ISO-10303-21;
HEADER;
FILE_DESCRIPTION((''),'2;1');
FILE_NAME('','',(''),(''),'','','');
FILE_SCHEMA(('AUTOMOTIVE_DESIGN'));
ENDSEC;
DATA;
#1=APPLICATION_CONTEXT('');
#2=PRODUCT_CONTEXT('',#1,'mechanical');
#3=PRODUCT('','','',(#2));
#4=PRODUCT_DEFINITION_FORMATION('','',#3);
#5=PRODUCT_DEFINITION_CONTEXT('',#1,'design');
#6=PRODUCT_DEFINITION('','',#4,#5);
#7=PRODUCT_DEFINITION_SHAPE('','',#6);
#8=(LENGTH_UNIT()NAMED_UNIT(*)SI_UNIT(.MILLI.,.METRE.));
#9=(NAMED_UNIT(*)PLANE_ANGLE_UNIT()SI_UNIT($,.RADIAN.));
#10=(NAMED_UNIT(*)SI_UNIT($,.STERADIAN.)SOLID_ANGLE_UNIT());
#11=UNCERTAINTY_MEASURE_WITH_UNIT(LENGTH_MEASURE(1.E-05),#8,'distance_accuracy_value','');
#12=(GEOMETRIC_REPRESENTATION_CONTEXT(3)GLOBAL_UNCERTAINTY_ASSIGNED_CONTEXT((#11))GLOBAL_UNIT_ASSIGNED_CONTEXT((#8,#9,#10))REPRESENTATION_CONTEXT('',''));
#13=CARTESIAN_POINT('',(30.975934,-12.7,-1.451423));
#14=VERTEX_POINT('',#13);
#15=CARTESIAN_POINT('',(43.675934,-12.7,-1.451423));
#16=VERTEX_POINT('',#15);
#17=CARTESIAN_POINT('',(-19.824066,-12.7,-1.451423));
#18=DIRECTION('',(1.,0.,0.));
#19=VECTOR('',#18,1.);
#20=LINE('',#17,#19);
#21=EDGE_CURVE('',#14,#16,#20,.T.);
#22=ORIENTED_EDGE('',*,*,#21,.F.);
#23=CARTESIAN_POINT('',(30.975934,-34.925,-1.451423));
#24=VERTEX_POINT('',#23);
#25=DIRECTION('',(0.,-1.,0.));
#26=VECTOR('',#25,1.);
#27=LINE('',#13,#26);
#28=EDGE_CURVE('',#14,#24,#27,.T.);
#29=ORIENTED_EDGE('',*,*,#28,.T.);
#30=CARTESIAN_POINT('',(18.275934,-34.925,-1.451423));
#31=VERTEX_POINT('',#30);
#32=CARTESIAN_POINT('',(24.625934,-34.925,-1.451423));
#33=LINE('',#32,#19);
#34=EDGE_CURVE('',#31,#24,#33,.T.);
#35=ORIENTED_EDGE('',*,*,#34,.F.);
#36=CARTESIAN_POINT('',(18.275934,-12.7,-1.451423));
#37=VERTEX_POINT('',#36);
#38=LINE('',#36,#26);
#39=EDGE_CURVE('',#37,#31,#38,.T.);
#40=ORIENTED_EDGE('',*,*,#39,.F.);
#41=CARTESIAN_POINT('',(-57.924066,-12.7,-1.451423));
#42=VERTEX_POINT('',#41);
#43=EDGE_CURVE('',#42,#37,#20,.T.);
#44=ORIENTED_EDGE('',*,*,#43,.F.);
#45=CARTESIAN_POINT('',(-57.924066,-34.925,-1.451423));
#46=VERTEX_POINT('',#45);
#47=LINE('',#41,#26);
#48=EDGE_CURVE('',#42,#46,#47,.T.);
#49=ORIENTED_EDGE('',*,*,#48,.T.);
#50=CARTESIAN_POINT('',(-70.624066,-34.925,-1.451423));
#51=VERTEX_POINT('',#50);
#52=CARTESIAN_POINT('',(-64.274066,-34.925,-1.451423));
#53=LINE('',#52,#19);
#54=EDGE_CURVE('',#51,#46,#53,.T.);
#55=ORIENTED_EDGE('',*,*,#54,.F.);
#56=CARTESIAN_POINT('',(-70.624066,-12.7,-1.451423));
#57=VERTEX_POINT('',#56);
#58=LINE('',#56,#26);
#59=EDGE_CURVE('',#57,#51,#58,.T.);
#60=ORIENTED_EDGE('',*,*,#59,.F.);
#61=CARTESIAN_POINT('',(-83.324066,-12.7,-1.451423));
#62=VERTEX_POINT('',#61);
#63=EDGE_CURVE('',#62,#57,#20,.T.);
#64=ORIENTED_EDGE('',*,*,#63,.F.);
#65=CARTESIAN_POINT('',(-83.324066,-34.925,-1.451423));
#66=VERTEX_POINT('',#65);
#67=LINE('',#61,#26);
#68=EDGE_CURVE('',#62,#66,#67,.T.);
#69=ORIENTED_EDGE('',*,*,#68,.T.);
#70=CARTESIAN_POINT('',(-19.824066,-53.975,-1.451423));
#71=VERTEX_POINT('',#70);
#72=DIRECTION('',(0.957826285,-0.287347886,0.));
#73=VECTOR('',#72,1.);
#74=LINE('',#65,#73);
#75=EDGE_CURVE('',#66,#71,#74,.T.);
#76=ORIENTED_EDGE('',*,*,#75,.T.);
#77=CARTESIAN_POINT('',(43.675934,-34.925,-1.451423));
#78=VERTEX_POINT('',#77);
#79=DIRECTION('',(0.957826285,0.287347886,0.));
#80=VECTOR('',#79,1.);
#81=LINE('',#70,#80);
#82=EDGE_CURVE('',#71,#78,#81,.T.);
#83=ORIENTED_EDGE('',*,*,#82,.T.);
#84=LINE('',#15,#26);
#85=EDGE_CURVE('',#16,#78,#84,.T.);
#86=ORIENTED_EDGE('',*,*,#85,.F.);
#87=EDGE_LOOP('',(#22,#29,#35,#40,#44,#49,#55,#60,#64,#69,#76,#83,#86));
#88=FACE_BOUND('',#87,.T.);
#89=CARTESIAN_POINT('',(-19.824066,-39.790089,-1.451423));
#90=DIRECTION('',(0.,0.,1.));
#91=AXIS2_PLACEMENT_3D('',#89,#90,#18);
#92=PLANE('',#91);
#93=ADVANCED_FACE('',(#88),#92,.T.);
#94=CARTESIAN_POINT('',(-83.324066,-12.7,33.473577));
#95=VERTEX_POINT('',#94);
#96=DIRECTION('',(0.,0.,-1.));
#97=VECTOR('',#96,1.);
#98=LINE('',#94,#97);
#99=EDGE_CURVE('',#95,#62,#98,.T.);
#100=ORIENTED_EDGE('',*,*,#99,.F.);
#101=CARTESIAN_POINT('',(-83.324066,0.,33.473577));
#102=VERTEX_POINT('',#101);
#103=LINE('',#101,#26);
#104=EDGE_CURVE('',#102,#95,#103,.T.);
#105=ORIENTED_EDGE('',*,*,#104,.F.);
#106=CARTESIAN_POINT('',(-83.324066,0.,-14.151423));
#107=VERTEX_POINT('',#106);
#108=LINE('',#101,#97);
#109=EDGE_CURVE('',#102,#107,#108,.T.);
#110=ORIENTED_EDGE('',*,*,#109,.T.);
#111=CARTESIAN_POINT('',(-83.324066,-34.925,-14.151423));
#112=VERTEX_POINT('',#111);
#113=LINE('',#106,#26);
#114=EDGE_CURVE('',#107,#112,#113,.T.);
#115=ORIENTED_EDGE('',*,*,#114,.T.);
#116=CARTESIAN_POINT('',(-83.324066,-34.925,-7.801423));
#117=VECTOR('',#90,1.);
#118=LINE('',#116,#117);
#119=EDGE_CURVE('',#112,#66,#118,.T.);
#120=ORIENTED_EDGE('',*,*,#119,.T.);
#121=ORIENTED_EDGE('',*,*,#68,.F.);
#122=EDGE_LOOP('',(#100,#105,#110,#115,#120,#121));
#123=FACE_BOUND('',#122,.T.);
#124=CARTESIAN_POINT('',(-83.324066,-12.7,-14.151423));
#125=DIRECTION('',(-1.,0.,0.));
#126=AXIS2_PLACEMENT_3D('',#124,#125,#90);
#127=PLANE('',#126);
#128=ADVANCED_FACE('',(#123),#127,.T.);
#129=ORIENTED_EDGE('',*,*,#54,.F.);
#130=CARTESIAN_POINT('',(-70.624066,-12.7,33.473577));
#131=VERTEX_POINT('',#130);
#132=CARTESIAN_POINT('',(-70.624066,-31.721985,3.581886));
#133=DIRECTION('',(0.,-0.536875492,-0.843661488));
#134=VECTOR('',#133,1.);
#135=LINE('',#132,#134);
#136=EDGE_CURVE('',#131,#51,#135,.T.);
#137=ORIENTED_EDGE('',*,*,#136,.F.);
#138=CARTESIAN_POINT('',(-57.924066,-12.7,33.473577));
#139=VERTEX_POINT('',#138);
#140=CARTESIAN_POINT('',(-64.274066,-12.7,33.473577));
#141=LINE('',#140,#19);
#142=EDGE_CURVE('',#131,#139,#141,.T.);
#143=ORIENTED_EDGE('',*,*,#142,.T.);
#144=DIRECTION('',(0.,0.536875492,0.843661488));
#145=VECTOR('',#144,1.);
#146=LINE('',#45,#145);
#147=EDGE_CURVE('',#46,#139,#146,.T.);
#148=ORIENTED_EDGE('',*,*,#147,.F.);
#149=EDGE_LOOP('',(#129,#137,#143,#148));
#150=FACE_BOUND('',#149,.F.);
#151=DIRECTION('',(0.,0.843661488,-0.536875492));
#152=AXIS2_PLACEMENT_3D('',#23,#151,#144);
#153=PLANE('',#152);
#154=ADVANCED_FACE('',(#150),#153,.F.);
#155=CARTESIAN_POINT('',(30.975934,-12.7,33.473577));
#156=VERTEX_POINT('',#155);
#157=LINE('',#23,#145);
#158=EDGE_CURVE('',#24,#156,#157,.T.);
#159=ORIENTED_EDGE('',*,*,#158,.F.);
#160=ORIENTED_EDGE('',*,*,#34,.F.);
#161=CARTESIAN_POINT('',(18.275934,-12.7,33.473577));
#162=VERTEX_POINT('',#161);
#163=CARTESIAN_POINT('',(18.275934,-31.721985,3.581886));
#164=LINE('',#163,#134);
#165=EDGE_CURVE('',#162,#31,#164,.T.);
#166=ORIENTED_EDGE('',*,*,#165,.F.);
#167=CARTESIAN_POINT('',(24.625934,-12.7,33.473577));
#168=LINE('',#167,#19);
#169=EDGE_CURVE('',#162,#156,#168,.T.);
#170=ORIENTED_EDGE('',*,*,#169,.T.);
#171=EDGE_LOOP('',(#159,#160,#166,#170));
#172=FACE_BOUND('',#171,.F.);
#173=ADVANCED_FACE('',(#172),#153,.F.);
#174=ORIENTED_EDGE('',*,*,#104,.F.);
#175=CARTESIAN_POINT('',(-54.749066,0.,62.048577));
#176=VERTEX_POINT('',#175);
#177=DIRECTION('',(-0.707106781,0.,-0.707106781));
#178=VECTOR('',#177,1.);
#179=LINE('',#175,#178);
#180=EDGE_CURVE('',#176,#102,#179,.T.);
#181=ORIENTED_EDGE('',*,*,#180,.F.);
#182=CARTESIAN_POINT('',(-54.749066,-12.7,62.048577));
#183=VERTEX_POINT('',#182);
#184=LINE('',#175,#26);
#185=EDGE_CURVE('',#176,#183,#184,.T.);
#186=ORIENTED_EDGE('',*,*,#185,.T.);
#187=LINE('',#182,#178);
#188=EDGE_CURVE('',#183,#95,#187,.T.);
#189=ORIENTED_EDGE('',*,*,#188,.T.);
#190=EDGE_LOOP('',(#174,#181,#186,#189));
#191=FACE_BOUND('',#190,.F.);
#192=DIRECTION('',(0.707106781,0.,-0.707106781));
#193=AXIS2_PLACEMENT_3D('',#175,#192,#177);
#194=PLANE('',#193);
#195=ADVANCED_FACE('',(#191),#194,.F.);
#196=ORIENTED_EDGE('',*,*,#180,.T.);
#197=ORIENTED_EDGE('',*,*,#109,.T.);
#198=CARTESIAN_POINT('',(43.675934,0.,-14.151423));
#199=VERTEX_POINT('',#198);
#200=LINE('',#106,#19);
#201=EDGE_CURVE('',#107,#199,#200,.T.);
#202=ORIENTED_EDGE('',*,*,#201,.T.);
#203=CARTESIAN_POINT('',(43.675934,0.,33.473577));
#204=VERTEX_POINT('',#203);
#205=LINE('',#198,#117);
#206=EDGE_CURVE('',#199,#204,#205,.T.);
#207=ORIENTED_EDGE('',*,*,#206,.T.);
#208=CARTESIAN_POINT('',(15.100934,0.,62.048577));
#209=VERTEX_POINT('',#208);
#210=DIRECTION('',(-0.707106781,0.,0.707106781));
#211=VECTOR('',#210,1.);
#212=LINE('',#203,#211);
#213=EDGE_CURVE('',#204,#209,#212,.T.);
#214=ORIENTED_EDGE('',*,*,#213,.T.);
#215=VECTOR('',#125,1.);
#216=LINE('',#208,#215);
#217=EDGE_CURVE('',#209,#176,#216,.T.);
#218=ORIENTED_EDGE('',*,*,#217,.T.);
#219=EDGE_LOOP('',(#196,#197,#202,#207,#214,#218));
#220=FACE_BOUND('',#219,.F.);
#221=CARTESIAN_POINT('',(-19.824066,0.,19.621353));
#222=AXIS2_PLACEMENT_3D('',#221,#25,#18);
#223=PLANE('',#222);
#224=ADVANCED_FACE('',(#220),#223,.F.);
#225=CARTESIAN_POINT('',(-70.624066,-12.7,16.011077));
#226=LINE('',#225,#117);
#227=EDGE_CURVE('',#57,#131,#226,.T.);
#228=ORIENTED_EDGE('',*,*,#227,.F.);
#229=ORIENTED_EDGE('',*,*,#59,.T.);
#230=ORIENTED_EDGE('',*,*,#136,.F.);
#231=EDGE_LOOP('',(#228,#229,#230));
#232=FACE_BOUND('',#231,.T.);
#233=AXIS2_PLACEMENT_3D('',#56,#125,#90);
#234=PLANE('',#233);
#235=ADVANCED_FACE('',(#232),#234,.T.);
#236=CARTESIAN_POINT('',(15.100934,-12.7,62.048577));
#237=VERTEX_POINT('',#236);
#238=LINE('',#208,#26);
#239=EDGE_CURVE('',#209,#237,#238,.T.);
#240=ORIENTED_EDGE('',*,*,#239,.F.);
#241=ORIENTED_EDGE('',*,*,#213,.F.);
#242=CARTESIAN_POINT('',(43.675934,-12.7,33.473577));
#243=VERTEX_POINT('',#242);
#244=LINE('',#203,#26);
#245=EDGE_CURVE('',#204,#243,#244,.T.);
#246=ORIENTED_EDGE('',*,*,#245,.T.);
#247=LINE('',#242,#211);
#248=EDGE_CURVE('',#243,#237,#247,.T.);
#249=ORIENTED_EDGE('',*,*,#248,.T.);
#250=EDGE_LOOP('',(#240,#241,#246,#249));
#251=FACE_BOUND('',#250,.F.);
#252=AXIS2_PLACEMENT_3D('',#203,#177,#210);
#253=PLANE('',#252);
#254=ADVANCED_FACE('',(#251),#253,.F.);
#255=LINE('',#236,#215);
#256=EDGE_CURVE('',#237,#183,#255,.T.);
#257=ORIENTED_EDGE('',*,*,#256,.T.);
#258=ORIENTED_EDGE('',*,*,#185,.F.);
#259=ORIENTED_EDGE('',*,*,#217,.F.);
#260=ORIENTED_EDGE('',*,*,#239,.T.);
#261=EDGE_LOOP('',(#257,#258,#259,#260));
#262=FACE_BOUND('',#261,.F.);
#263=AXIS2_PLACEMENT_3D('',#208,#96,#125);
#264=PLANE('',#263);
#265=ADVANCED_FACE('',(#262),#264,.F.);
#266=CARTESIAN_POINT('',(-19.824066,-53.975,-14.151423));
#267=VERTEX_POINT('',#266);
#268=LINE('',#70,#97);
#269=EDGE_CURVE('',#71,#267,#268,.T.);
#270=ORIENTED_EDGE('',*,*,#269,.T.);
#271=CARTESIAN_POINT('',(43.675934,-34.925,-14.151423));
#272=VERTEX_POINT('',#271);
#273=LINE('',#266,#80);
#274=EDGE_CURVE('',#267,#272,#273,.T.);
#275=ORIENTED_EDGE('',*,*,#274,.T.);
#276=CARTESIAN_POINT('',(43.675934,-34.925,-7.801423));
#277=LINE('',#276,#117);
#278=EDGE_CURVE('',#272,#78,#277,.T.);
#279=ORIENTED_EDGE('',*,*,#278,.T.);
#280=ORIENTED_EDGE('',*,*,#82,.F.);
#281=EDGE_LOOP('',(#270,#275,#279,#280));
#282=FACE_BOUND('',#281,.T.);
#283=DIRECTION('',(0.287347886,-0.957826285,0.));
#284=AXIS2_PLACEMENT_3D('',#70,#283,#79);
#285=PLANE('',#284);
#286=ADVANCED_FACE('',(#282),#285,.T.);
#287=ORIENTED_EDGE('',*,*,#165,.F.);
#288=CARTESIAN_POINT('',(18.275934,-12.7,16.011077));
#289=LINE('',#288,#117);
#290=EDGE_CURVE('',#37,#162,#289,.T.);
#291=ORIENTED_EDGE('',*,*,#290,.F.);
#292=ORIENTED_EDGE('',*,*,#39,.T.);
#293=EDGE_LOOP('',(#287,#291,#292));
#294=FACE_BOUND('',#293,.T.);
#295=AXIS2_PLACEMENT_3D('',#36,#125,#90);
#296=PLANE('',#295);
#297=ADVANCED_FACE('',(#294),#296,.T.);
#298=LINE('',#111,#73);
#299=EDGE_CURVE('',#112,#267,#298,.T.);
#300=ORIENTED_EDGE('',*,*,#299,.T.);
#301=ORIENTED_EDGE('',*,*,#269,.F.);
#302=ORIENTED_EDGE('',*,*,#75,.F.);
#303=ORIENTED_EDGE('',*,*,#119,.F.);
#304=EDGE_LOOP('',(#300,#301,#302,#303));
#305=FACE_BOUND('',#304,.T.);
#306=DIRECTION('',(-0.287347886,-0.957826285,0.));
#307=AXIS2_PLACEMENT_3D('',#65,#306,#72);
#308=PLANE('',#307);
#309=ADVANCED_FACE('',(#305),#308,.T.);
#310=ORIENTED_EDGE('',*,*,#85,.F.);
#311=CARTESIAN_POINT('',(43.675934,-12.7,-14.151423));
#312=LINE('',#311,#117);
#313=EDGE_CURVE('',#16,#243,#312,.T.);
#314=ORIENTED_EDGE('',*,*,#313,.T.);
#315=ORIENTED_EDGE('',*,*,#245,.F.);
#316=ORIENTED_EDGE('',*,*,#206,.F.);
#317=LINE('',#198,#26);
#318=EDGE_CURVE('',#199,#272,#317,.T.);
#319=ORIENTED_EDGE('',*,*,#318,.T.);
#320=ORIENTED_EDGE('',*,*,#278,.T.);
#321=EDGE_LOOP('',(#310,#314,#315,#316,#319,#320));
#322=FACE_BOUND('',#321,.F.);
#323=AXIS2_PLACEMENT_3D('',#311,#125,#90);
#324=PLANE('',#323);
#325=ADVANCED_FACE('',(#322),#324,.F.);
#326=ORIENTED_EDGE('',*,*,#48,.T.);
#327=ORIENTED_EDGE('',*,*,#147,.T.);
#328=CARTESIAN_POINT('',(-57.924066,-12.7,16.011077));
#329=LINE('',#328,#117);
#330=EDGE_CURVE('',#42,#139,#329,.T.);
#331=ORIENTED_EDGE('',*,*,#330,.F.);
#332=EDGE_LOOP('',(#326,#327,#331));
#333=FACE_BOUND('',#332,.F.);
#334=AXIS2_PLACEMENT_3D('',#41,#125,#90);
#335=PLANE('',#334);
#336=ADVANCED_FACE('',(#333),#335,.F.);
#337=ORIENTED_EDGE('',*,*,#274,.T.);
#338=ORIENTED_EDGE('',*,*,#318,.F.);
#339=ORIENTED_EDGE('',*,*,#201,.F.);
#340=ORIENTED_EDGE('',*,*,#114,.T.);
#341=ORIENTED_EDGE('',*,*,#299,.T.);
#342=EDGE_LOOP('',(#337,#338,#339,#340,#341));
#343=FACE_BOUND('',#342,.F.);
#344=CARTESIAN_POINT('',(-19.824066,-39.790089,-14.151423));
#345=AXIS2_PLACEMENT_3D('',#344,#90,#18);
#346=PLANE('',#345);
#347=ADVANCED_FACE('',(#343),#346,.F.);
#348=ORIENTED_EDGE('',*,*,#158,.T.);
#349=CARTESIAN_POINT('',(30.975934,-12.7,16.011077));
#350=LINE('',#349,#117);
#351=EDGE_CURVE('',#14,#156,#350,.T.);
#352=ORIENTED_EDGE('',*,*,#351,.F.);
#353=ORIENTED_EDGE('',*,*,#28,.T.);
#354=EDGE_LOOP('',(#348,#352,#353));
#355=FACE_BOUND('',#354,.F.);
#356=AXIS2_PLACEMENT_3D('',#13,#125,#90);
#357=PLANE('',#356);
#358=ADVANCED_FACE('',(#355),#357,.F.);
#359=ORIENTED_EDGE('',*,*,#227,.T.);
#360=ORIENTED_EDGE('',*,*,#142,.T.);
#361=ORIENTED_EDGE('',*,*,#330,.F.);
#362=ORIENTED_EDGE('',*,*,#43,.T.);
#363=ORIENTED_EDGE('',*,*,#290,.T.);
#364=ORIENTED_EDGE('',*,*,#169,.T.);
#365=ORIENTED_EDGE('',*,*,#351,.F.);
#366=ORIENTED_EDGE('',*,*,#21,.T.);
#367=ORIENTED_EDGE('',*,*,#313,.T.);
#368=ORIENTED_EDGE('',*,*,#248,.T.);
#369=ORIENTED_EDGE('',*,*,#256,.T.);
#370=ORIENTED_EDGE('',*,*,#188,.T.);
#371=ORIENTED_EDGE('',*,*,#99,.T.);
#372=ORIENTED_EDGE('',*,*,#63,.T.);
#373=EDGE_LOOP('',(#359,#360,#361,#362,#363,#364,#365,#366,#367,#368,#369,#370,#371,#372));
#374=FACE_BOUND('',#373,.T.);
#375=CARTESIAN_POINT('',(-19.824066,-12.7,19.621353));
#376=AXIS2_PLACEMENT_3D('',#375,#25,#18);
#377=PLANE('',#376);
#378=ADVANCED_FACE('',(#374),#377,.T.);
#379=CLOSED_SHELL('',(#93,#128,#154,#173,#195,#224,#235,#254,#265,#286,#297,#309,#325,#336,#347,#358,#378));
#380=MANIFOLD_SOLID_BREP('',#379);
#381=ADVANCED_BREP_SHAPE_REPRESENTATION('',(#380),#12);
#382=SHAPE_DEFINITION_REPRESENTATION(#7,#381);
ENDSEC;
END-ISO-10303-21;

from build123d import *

# Parameters (mm, degrees)
F1_DEPTH  = 12.7
F2_W      = 127
F2_H      = 12.7
F3_DEPTH  = 22.225
F5_DEPTH  = 12.7
F6_W      = 12.7
F6_H      = 34.925
F7_DEPTH  = 22.225
F10_DEPTH = 114.301


with BuildPart() as f1:
    # F0 (on Front) → F1 (new body)
    with BuildSketch(Plane.XZ):
        Polygon((-54.749066, 62.048577), (-83.324066, 33.473577), (-83.324066, -14.151423), (43.675934, -14.151423), (43.675934, 33.473577), (15.100934, 62.048577), align=None)
    extrude(amount=F1_DEPTH)

    # F2 (on face) → F3 (join)
    with BuildSketch(Plane.XZ.offset(12.7)):
        with Locations((-19.824066, -7.801423)):
            Rectangle(F2_W, F2_H)
    extrude(amount=F3_DEPTH)

    # F4 (on face) → F5 (join)
    with BuildSketch(Plane.XY.offset(-1.451423)):
        Polygon((43.675934, -34.925), (-83.324066, -34.925), (-19.824066, -53.975), align=None)
    extrude(amount=-F5_DEPTH)

    # F6 (on face) → F7 (join)
    with BuildSketch(Plane.XZ.offset(12.7)):
        with Locations((-64.274066, 16.011077)):
            Rectangle(F6_W, F6_H)
        with Locations((24.625934, 16.011077)):
            Rectangle(F6_W, F6_H)
    extrude(amount=F7_DEPTH)

    # F9 (on face) + F8 (on face) → F10 (cut, through all)
    with BuildSketch(Plane.YZ.offset(30.975934)):
        Polygon((-34.925, 33.473577), (-34.925, -1.451423), (-12.7, 33.473577), align=None)
    with BuildSketch(Plane.YZ.offset(-57.924066)):
        Polygon((-34.925, -1.451423), (-12.7, 33.473577), (-34.925, 33.473577), align=None)
    extrude(amount=-F10_DEPTH, mode=Mode.SUBTRACT)


solid = f1.part
